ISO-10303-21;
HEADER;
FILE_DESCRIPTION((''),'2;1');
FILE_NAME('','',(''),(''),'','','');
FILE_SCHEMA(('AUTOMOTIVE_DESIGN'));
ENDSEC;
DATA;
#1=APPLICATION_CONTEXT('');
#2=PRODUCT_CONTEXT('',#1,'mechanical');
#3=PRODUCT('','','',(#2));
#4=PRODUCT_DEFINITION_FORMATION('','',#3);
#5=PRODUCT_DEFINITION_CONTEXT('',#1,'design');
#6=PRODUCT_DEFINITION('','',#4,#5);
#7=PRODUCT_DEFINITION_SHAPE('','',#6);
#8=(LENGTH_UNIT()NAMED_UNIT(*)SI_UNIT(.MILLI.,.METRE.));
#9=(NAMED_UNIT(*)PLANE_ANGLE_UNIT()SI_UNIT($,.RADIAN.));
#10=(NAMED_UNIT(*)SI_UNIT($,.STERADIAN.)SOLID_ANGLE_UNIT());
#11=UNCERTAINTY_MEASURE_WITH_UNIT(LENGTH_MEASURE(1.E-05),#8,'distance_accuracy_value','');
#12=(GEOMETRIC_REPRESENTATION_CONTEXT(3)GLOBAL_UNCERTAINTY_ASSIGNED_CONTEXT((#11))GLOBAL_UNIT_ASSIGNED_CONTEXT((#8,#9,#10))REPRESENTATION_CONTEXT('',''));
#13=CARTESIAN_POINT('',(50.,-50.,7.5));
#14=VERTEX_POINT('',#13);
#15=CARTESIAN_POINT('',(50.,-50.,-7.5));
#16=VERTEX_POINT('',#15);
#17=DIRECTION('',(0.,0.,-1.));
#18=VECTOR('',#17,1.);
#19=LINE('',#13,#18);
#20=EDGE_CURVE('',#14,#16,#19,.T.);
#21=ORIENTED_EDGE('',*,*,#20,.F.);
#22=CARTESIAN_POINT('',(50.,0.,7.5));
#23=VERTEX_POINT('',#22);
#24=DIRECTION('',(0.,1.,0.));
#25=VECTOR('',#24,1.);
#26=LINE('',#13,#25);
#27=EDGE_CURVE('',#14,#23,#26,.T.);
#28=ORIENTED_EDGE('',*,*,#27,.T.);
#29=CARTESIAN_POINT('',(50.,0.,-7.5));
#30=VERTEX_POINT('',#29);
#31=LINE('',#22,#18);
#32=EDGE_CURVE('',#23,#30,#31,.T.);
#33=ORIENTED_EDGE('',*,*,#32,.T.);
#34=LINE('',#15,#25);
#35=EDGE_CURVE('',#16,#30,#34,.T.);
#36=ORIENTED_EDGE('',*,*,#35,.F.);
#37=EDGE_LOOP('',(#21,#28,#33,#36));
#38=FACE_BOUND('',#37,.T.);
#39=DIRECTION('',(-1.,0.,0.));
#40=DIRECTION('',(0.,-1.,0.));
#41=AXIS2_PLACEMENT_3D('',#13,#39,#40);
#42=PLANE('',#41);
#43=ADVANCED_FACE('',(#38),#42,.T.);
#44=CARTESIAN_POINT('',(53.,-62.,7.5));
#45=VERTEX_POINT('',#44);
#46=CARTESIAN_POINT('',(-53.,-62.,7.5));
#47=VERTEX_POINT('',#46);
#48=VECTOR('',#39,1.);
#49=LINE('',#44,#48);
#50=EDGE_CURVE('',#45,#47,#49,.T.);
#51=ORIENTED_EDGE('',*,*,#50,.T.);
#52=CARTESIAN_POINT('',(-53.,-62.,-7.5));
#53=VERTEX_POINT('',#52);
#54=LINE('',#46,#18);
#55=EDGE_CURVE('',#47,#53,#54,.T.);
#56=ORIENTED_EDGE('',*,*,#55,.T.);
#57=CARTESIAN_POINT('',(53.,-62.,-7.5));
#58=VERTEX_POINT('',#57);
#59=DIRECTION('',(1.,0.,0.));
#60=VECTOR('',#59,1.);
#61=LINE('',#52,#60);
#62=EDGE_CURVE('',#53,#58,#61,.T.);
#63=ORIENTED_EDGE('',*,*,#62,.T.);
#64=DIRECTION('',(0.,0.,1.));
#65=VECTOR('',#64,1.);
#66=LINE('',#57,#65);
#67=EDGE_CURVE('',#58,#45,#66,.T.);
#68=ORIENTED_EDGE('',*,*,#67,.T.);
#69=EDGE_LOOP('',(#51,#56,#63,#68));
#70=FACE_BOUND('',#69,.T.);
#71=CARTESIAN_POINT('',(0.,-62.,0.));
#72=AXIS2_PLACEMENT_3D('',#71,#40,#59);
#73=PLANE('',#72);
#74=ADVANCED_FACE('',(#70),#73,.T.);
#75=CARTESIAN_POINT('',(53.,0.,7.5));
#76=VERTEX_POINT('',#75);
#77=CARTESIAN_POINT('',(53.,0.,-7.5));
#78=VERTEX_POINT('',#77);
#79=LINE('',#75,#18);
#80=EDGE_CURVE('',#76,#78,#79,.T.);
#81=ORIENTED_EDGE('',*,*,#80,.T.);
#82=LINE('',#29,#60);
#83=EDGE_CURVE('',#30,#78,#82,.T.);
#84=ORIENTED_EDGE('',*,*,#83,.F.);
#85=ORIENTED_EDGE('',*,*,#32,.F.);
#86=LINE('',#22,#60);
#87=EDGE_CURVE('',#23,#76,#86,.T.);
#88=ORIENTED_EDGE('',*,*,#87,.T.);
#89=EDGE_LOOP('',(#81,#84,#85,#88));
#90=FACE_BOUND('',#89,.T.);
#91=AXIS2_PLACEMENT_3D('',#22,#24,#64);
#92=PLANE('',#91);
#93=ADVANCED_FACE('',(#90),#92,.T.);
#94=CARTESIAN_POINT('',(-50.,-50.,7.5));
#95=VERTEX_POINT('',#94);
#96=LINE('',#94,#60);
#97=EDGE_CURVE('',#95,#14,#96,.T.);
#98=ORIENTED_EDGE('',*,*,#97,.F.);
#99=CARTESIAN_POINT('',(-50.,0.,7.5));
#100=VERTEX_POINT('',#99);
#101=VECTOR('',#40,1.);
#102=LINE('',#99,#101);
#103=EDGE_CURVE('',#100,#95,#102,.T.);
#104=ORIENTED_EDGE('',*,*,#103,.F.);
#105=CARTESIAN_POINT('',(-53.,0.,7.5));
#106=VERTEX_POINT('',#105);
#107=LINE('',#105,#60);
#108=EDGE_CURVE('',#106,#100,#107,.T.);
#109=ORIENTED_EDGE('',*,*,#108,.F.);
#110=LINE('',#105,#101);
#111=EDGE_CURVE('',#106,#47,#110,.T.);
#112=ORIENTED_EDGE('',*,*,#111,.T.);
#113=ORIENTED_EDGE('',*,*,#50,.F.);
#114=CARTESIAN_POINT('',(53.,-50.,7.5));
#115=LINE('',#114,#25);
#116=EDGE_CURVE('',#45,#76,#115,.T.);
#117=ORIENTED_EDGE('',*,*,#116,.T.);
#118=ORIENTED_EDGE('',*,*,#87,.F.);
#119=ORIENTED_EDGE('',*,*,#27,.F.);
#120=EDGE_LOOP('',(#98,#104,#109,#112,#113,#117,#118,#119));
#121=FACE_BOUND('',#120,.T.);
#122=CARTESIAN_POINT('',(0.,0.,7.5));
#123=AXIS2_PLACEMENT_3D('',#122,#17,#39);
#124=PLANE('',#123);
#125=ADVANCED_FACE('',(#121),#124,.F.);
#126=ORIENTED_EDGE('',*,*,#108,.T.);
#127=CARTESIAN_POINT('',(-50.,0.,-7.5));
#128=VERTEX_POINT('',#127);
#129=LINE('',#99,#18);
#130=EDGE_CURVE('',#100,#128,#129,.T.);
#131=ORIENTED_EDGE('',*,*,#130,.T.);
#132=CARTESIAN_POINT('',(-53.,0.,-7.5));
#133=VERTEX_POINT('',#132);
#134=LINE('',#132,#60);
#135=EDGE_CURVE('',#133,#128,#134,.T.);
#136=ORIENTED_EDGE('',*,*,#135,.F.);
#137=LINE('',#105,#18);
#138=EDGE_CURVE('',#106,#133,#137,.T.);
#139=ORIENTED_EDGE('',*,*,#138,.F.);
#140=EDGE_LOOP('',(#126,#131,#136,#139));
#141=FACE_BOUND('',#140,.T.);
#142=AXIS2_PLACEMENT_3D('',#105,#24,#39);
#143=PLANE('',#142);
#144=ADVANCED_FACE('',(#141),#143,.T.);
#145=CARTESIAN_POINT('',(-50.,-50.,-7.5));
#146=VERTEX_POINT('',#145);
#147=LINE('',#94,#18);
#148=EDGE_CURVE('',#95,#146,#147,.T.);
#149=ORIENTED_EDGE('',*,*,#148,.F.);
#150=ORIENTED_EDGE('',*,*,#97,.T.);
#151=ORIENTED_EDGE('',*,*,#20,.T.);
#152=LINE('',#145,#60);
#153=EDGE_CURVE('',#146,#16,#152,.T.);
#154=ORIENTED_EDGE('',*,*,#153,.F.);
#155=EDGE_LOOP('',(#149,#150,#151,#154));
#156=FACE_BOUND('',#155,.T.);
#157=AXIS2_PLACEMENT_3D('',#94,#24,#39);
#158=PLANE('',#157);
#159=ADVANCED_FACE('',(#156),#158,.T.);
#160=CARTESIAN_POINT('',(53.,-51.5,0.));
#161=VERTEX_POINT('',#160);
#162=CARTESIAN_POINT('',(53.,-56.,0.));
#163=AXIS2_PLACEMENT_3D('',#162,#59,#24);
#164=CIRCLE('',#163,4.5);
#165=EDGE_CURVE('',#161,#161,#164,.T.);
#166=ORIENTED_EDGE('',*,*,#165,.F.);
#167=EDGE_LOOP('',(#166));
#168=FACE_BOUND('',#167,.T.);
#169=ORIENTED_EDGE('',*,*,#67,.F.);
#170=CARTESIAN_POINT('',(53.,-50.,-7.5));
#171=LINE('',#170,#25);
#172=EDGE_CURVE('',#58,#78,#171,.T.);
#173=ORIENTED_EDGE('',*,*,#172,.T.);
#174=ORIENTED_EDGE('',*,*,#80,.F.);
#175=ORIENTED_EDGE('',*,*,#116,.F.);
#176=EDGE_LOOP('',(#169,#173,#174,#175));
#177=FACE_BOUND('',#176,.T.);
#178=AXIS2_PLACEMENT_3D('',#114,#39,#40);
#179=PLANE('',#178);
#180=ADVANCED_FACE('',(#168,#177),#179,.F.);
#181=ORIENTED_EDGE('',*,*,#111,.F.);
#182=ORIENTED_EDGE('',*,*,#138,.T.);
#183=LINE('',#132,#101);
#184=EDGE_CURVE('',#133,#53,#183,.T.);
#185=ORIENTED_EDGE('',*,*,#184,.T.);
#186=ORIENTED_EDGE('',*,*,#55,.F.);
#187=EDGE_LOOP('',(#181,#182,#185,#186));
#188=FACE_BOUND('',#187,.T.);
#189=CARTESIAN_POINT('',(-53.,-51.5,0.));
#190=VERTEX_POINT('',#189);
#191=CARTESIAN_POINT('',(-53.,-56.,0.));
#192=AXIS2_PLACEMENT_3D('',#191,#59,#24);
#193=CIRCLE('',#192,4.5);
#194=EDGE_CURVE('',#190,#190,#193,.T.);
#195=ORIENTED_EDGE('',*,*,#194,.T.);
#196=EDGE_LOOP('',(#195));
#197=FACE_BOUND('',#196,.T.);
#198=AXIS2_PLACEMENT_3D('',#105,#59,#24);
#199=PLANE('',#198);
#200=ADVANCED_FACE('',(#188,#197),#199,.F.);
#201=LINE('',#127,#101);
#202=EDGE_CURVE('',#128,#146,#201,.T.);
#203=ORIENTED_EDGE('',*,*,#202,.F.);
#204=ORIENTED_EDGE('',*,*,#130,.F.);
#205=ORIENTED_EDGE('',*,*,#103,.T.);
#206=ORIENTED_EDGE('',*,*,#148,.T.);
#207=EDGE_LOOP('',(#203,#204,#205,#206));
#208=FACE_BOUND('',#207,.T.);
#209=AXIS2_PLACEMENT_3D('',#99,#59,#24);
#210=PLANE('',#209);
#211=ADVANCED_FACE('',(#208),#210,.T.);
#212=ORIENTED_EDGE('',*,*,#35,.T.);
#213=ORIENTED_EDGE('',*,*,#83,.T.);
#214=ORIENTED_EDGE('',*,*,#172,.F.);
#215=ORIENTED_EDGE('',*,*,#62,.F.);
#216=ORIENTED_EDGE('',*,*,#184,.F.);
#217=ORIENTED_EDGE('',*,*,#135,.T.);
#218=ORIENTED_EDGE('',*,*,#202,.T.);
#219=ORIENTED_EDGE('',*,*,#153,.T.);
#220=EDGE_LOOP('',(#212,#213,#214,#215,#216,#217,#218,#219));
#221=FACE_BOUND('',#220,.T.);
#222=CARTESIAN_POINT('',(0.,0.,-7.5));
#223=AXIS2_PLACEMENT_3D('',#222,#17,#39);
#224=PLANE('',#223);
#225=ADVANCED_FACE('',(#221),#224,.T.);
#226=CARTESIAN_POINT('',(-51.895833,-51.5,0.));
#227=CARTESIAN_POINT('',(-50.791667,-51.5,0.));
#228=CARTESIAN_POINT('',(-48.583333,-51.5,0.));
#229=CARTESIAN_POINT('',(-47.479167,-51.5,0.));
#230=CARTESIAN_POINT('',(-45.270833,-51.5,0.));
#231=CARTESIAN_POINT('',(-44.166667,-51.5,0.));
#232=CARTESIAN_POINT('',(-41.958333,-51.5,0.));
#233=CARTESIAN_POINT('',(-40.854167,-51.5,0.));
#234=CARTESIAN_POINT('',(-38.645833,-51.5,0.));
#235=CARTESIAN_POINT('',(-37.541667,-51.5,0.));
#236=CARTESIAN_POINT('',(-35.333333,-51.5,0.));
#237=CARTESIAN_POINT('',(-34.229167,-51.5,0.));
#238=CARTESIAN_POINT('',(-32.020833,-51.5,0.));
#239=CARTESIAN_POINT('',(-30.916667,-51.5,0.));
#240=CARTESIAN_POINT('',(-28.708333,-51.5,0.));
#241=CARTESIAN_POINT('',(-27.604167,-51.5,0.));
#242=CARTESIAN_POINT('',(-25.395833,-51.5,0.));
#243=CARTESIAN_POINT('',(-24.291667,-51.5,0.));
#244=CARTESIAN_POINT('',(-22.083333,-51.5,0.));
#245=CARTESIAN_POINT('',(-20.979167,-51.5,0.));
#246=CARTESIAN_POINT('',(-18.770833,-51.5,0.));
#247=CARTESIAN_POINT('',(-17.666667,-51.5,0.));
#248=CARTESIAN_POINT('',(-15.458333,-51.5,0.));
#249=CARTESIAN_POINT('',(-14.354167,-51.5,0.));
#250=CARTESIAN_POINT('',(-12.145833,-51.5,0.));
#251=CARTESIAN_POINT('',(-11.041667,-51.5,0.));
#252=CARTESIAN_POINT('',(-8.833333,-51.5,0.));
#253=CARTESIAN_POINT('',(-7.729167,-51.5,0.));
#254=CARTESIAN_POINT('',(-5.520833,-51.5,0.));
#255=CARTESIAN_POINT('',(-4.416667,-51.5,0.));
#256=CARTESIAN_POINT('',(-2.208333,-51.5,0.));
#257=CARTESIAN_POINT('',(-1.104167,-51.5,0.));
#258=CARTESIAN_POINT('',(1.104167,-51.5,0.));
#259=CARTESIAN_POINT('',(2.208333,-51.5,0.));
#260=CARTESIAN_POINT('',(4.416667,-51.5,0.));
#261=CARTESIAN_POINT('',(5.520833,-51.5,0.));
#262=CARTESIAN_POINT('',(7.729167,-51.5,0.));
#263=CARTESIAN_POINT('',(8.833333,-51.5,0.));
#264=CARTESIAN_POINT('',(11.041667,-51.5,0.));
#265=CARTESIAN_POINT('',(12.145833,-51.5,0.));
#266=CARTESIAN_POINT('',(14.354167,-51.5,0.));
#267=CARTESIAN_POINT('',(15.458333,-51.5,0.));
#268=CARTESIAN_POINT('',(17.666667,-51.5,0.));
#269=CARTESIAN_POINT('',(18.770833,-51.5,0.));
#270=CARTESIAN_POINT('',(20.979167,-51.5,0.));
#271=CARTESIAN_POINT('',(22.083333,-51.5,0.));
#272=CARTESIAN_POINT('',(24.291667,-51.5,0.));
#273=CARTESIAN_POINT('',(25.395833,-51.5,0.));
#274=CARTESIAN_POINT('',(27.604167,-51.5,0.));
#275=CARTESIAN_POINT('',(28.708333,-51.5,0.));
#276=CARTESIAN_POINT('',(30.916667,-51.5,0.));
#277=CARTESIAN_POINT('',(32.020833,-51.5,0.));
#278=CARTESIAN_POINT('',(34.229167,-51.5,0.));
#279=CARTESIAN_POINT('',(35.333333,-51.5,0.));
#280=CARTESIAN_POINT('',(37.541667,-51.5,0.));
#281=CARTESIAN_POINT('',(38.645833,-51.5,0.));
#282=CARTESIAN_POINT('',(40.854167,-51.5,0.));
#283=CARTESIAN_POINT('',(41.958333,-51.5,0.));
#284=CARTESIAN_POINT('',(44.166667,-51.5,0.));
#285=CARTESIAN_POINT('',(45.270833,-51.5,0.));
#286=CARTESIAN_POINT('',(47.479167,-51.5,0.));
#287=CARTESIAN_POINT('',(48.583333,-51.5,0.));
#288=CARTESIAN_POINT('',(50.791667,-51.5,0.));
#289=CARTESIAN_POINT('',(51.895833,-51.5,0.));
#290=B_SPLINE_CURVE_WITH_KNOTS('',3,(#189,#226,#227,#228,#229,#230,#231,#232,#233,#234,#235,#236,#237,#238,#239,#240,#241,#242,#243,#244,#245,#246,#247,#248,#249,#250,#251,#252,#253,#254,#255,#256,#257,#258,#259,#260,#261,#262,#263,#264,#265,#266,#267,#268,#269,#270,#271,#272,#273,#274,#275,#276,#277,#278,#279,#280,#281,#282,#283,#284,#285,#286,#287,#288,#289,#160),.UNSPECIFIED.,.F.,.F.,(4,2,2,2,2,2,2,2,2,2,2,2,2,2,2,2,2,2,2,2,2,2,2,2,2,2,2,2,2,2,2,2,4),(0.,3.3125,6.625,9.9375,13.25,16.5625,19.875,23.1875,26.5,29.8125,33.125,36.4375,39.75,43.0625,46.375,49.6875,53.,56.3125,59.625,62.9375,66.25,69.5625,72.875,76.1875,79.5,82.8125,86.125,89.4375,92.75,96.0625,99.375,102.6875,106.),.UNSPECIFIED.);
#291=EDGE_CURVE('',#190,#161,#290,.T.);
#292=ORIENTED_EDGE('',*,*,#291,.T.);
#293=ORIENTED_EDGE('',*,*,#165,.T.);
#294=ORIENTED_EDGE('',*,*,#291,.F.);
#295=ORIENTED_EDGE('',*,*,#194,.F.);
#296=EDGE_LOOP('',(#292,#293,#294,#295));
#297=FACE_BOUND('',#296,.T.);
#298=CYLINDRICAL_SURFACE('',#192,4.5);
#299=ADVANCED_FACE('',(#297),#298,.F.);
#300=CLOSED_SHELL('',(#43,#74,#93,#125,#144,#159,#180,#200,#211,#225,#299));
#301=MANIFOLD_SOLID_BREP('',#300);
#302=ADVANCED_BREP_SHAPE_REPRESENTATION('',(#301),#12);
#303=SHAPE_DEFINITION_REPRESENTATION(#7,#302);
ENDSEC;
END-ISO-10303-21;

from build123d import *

# Parameters (mm, degrees)
EXTRUDE_THIN1_DEPTH = 7.5
SKETCH4_W           = 106
SKETCH4_H           = 15
BOSS_EXTRUDE1_DEPTH = 9
SKETCH5_R           = 4.5
CUT_EXTRUDE1_DEPTH  = 124.029468015


with BuildPart() as part:
    # Sketch1 → Extrude-Thin1 (new, symmetric)
    with BuildSketch(Plane.XY):
        Polygon((-50, 0), (-50, -50), (50, -50), (50, 0), (53, 0), (53, -53), (-53, -53), (-53, 0), align=None)
    extrude(amount=EXTRUDE_THIN1_DEPTH, both=True)

    # Sketch4 → Boss-Extrude1 (add)
    with BuildSketch(Plane.XZ.offset(53)):
        Rectangle(SKETCH4_W, SKETCH4_H)
    extrude(amount=BOSS_EXTRUDE1_DEPTH)

    # Sketch5 → Cut-Extrude1 (cut, through all)
    with BuildSketch(Plane(origin=(53, 0, 0), x_dir=(0, 0, -1), z_dir=(1, 0, 0))):
        with Locations(Location((0, -56, 0), (0, 0, 90))):
            Circle(SKETCH5_R)
    extrude(amount=-CUT_EXTRUDE1_DEPTH, mode=Mode.SUBTRACT)


solid = part.part
